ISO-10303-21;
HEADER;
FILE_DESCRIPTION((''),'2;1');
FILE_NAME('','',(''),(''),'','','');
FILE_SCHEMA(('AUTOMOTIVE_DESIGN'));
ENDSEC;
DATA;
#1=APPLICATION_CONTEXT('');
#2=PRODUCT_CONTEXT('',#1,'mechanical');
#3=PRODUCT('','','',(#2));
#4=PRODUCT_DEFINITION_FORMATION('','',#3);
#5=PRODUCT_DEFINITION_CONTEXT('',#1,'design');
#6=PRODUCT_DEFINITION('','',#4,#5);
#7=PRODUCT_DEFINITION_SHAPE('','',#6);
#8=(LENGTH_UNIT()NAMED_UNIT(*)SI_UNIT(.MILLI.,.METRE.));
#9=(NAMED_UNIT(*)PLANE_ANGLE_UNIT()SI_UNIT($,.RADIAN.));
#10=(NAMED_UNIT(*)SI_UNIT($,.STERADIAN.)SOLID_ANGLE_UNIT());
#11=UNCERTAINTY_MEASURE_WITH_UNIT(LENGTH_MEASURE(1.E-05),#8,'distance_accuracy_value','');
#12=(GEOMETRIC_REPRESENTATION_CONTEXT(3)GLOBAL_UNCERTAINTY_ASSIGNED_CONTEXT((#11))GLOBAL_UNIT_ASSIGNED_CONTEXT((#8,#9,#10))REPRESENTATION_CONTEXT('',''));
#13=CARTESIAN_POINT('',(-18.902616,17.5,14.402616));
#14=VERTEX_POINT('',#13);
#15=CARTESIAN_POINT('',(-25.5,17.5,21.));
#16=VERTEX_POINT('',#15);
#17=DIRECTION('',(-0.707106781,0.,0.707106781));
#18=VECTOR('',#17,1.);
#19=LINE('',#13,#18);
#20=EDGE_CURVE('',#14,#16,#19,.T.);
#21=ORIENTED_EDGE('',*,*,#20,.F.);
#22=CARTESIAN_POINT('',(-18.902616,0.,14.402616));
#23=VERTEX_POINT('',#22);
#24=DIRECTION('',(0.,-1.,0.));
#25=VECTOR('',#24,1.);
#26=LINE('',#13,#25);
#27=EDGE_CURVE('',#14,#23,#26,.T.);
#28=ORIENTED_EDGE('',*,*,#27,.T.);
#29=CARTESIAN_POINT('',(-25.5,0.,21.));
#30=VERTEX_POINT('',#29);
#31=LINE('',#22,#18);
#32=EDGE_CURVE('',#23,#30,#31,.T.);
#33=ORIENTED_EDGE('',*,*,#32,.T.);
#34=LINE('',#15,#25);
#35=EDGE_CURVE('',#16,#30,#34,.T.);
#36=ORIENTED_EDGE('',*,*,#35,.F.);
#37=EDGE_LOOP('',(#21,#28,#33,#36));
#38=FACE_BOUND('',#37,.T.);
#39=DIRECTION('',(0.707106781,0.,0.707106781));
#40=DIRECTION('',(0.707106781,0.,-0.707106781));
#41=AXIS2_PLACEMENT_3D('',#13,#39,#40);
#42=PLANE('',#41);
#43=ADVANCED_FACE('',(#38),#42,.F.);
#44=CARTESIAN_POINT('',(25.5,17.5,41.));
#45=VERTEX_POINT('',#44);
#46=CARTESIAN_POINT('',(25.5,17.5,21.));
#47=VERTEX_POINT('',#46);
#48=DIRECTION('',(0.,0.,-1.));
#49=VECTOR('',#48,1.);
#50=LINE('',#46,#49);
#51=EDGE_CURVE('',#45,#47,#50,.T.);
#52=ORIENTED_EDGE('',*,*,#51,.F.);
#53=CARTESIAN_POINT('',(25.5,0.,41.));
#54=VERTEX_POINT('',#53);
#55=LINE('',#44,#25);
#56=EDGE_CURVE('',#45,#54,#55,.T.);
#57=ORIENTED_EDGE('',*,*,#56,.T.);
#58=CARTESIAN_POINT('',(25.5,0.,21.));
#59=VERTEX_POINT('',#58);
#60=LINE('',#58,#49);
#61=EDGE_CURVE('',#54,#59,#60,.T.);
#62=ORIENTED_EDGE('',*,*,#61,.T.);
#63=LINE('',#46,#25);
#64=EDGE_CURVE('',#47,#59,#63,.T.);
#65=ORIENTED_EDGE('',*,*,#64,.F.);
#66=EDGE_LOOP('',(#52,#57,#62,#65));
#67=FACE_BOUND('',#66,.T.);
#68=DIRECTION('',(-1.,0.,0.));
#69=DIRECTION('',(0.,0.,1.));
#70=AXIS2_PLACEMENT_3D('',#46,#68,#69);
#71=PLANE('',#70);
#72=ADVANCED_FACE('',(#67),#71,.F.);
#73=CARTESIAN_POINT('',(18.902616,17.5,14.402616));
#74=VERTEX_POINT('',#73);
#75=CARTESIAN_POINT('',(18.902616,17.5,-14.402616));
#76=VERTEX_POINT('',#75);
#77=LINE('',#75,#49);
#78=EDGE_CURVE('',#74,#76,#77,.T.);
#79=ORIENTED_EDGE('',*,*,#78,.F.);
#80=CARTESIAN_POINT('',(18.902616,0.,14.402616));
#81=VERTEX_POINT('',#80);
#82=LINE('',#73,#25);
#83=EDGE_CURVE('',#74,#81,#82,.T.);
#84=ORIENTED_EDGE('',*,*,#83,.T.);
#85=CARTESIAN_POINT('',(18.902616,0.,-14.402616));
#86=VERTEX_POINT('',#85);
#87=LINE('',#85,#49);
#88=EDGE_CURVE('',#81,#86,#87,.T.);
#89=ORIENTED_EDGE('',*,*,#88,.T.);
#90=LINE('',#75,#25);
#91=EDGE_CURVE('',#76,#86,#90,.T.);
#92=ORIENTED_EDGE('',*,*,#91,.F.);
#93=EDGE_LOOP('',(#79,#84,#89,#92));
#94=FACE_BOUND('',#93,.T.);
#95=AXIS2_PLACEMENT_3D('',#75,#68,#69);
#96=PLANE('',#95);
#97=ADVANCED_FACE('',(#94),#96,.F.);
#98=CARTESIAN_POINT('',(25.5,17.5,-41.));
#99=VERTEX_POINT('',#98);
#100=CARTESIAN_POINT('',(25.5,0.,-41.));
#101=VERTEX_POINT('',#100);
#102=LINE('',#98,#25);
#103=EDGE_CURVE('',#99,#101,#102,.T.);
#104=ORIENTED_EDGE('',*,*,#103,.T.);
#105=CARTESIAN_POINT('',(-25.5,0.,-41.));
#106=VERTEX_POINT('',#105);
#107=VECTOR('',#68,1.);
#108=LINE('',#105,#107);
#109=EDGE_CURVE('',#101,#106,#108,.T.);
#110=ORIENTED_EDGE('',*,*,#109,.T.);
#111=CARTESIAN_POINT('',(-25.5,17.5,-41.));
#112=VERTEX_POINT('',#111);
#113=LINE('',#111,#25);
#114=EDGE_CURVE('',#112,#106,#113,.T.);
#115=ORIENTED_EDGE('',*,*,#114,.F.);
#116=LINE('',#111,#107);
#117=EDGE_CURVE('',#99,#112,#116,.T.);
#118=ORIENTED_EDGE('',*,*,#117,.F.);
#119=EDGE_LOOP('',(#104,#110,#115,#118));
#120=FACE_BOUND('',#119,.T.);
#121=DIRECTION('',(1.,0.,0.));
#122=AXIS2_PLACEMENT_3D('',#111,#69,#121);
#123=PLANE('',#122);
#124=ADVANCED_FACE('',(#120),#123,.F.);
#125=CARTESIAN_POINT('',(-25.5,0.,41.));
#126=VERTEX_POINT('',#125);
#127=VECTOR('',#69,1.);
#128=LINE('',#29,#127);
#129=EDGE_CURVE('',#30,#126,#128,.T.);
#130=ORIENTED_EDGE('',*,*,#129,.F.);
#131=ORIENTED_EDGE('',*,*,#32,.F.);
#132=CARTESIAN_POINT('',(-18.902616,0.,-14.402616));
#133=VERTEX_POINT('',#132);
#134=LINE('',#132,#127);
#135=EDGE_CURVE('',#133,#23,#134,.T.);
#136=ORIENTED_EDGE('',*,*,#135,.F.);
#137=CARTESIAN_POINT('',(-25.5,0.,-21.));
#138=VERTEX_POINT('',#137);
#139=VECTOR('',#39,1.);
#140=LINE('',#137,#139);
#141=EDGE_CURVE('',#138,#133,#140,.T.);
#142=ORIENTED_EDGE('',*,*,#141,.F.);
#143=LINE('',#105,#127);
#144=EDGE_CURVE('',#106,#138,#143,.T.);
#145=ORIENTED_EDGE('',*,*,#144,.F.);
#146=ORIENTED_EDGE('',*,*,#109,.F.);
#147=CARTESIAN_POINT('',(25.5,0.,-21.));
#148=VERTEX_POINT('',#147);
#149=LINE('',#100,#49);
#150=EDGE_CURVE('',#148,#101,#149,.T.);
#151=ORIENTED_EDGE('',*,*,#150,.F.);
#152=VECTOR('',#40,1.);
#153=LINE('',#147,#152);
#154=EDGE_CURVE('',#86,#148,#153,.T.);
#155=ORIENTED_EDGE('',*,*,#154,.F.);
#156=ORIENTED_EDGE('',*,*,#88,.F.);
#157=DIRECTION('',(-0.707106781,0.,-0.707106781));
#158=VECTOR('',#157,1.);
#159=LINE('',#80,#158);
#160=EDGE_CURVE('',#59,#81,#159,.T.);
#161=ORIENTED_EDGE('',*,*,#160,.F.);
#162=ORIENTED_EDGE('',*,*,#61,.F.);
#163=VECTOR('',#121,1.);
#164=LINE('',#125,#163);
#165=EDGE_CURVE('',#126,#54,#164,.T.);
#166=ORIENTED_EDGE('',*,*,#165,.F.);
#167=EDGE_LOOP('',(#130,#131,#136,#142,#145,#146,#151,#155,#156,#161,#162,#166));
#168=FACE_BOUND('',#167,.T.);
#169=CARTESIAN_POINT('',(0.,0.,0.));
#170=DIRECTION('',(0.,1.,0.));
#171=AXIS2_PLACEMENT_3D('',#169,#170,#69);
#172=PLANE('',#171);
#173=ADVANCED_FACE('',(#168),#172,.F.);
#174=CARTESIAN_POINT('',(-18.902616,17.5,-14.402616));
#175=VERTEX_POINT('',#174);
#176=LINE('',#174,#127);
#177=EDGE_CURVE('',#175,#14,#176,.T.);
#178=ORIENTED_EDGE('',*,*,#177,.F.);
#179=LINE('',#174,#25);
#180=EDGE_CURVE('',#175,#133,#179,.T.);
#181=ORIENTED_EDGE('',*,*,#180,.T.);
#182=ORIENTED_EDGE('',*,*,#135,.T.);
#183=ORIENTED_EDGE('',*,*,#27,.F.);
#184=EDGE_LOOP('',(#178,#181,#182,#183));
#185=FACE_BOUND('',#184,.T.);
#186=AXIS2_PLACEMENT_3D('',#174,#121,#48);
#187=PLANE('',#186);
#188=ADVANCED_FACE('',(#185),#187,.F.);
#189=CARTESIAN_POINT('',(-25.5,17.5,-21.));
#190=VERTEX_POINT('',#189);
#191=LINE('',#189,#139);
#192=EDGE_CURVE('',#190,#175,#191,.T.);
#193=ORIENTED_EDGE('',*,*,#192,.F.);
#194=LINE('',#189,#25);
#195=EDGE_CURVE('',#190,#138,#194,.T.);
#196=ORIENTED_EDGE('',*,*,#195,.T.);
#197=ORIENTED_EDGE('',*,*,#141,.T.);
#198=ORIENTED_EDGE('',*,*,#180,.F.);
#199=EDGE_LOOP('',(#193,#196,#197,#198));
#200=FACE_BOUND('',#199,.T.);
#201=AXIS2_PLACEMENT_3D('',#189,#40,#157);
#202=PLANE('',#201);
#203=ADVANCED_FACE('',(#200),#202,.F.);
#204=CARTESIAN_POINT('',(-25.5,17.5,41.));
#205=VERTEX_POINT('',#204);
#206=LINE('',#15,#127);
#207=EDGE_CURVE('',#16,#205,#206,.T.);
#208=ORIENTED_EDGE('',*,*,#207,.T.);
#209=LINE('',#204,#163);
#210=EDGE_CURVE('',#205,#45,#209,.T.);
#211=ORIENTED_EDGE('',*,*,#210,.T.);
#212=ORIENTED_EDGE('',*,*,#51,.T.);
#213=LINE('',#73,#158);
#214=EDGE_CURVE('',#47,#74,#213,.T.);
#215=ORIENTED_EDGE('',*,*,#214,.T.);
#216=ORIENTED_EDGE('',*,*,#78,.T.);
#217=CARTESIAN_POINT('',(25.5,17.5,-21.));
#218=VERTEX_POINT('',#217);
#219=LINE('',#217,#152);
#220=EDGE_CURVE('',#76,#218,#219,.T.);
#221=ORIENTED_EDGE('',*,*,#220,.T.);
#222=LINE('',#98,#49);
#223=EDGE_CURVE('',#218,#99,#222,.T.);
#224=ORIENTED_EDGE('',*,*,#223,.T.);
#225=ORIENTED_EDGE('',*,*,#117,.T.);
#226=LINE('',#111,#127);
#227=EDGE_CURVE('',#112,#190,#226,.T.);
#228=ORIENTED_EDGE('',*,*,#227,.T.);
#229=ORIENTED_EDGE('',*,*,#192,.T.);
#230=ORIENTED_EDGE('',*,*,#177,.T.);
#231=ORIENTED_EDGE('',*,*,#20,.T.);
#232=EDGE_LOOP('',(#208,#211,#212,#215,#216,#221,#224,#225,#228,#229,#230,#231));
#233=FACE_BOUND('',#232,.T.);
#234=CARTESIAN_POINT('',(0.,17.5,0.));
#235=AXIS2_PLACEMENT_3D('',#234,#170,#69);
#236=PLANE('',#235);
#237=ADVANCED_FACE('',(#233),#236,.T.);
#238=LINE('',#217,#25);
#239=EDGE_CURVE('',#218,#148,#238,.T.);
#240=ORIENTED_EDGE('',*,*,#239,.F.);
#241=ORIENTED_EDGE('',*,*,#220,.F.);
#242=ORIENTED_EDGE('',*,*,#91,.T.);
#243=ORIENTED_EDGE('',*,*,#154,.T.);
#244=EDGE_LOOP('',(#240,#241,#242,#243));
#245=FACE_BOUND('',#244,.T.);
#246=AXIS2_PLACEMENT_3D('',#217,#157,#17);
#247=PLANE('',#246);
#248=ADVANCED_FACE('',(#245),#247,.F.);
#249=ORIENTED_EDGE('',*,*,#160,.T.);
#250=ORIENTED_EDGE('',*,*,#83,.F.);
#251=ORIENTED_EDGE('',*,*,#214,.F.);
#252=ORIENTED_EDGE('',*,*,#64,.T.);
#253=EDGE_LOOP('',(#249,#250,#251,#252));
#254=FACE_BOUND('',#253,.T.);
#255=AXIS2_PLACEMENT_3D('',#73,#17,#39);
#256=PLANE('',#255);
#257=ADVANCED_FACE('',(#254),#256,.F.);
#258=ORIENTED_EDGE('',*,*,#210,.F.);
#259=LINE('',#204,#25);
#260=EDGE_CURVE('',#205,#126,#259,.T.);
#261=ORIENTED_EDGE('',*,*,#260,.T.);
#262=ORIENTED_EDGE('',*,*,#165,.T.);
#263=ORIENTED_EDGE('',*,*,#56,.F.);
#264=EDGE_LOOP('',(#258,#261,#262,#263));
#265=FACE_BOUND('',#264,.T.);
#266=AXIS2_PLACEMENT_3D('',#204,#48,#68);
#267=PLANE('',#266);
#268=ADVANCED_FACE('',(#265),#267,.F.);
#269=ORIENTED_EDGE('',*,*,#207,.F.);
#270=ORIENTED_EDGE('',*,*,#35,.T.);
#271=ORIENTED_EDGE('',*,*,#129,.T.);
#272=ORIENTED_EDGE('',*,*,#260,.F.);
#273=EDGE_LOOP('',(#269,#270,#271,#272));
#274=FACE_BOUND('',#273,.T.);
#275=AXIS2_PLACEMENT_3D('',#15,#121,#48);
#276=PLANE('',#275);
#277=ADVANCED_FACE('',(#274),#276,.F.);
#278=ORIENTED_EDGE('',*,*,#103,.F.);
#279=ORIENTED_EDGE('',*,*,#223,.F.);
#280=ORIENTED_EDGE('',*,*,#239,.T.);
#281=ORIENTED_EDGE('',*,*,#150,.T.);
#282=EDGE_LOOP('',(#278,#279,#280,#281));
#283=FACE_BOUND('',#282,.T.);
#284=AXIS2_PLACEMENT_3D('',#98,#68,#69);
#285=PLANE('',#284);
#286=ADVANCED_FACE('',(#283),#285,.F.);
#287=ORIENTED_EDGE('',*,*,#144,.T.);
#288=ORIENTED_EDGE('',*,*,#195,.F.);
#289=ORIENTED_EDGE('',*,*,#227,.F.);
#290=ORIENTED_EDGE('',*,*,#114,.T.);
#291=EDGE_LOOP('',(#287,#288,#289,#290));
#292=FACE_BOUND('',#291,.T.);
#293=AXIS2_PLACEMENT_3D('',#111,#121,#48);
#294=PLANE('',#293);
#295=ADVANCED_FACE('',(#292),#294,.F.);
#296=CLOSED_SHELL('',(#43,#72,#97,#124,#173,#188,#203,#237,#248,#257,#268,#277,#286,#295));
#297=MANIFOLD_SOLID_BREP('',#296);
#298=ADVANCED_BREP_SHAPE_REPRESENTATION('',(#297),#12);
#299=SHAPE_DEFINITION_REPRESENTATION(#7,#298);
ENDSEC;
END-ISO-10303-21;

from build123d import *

# Parameters (mm, degrees)
EXTRUDE_1_DEPTH = 17.5


with BuildPart() as part:
    # 草图1 → 凸台-拉伸1 (new body)
    with BuildSketch(Plane(origin=(0, 0, 0), x_dir=(1, 0, 0), z_dir=(0, 1, 0))):
        Polygon((-25.5, 21), (-18.902616279, 14.402616279), (-18.902616279, -14.402616279), (-25.5, -21), (-25.5, -41), (25.5, -41), (25.5, -21), (18.902616279, -14.402616279), (18.902616279, 14.402616279), (25.5, 21), (25.5, 41), (-25.5, 41), align=None)
    extrude(amount=EXTRUDE_1_DEPTH)


solid = part.part
